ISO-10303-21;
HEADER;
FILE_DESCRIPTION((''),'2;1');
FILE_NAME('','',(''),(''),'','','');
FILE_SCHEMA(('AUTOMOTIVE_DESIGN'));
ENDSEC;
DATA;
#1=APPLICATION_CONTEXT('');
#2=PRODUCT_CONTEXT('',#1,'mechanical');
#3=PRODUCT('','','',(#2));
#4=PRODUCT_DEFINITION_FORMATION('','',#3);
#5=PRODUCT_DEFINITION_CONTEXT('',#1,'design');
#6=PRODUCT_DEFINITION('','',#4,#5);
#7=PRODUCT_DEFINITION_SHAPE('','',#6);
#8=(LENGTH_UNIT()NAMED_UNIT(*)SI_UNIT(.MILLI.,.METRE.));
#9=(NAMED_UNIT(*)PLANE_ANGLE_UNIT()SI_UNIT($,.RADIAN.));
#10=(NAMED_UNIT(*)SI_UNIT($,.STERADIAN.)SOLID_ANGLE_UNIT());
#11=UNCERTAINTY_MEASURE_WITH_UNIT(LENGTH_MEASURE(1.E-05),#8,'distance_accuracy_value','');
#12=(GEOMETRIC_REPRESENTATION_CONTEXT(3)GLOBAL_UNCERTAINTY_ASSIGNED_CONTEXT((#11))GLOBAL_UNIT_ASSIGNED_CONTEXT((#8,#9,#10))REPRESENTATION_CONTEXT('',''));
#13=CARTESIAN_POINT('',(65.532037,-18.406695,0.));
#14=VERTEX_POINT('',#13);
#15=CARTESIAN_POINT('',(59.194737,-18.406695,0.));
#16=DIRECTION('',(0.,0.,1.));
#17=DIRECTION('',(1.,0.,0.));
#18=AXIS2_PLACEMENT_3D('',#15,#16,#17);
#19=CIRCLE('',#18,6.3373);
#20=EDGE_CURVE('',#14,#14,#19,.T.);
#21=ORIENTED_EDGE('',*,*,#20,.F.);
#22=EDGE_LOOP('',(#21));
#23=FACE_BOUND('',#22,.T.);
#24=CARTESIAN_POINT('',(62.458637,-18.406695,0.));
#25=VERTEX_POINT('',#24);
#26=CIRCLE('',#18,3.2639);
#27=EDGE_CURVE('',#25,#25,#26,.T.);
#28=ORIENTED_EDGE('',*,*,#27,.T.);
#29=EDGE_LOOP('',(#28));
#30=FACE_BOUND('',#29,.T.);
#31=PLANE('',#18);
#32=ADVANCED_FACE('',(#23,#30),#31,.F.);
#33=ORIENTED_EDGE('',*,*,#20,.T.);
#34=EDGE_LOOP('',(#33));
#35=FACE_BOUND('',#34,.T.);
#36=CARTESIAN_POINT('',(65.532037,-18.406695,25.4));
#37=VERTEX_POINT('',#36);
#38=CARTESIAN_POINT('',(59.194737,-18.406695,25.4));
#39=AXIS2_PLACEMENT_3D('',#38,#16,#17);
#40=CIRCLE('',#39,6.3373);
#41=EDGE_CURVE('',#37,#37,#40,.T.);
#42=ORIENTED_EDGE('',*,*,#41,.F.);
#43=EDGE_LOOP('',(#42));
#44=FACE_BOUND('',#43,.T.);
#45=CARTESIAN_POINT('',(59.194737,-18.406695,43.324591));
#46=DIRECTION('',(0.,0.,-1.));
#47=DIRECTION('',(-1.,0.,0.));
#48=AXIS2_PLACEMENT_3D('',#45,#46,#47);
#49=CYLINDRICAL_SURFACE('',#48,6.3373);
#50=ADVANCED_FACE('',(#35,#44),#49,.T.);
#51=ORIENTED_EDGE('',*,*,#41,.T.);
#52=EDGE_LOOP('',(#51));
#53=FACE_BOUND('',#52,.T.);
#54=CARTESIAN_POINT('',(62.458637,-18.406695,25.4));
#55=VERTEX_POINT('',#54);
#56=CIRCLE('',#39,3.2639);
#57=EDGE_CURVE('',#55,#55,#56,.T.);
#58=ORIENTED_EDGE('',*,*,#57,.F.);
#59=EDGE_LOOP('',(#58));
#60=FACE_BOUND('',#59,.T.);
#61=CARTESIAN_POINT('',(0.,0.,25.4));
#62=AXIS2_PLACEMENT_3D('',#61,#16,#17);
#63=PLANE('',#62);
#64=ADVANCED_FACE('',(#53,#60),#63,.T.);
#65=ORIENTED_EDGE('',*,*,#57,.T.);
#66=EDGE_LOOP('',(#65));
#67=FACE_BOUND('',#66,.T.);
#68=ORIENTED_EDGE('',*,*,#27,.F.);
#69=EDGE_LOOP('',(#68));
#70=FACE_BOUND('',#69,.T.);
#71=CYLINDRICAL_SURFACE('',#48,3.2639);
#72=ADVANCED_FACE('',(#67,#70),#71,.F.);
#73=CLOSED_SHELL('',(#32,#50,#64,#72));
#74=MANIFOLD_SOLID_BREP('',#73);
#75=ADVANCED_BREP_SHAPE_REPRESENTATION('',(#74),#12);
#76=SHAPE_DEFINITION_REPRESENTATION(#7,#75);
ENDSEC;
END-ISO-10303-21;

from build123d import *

# Parameters (mm, degrees)
SKETCH1_R           = 6.3373
SKETCH1_R_2         = 3.2639
BOSS_EXTRUDE1_DEPTH = 25.4


with BuildPart() as part:
    # Sketch1 → Boss-Extrude1 (new body)
    with BuildSketch(Plane.XY):
        with Locations((59.194737463, -18.406694864)):
            Circle(SKETCH1_R)
        with Locations((59.194737463, -18.406694864)):
            Circle(SKETCH1_R_2, mode=Mode.SUBTRACT)
    extrude(amount=BOSS_EXTRUDE1_DEPTH)


solid = part.part
